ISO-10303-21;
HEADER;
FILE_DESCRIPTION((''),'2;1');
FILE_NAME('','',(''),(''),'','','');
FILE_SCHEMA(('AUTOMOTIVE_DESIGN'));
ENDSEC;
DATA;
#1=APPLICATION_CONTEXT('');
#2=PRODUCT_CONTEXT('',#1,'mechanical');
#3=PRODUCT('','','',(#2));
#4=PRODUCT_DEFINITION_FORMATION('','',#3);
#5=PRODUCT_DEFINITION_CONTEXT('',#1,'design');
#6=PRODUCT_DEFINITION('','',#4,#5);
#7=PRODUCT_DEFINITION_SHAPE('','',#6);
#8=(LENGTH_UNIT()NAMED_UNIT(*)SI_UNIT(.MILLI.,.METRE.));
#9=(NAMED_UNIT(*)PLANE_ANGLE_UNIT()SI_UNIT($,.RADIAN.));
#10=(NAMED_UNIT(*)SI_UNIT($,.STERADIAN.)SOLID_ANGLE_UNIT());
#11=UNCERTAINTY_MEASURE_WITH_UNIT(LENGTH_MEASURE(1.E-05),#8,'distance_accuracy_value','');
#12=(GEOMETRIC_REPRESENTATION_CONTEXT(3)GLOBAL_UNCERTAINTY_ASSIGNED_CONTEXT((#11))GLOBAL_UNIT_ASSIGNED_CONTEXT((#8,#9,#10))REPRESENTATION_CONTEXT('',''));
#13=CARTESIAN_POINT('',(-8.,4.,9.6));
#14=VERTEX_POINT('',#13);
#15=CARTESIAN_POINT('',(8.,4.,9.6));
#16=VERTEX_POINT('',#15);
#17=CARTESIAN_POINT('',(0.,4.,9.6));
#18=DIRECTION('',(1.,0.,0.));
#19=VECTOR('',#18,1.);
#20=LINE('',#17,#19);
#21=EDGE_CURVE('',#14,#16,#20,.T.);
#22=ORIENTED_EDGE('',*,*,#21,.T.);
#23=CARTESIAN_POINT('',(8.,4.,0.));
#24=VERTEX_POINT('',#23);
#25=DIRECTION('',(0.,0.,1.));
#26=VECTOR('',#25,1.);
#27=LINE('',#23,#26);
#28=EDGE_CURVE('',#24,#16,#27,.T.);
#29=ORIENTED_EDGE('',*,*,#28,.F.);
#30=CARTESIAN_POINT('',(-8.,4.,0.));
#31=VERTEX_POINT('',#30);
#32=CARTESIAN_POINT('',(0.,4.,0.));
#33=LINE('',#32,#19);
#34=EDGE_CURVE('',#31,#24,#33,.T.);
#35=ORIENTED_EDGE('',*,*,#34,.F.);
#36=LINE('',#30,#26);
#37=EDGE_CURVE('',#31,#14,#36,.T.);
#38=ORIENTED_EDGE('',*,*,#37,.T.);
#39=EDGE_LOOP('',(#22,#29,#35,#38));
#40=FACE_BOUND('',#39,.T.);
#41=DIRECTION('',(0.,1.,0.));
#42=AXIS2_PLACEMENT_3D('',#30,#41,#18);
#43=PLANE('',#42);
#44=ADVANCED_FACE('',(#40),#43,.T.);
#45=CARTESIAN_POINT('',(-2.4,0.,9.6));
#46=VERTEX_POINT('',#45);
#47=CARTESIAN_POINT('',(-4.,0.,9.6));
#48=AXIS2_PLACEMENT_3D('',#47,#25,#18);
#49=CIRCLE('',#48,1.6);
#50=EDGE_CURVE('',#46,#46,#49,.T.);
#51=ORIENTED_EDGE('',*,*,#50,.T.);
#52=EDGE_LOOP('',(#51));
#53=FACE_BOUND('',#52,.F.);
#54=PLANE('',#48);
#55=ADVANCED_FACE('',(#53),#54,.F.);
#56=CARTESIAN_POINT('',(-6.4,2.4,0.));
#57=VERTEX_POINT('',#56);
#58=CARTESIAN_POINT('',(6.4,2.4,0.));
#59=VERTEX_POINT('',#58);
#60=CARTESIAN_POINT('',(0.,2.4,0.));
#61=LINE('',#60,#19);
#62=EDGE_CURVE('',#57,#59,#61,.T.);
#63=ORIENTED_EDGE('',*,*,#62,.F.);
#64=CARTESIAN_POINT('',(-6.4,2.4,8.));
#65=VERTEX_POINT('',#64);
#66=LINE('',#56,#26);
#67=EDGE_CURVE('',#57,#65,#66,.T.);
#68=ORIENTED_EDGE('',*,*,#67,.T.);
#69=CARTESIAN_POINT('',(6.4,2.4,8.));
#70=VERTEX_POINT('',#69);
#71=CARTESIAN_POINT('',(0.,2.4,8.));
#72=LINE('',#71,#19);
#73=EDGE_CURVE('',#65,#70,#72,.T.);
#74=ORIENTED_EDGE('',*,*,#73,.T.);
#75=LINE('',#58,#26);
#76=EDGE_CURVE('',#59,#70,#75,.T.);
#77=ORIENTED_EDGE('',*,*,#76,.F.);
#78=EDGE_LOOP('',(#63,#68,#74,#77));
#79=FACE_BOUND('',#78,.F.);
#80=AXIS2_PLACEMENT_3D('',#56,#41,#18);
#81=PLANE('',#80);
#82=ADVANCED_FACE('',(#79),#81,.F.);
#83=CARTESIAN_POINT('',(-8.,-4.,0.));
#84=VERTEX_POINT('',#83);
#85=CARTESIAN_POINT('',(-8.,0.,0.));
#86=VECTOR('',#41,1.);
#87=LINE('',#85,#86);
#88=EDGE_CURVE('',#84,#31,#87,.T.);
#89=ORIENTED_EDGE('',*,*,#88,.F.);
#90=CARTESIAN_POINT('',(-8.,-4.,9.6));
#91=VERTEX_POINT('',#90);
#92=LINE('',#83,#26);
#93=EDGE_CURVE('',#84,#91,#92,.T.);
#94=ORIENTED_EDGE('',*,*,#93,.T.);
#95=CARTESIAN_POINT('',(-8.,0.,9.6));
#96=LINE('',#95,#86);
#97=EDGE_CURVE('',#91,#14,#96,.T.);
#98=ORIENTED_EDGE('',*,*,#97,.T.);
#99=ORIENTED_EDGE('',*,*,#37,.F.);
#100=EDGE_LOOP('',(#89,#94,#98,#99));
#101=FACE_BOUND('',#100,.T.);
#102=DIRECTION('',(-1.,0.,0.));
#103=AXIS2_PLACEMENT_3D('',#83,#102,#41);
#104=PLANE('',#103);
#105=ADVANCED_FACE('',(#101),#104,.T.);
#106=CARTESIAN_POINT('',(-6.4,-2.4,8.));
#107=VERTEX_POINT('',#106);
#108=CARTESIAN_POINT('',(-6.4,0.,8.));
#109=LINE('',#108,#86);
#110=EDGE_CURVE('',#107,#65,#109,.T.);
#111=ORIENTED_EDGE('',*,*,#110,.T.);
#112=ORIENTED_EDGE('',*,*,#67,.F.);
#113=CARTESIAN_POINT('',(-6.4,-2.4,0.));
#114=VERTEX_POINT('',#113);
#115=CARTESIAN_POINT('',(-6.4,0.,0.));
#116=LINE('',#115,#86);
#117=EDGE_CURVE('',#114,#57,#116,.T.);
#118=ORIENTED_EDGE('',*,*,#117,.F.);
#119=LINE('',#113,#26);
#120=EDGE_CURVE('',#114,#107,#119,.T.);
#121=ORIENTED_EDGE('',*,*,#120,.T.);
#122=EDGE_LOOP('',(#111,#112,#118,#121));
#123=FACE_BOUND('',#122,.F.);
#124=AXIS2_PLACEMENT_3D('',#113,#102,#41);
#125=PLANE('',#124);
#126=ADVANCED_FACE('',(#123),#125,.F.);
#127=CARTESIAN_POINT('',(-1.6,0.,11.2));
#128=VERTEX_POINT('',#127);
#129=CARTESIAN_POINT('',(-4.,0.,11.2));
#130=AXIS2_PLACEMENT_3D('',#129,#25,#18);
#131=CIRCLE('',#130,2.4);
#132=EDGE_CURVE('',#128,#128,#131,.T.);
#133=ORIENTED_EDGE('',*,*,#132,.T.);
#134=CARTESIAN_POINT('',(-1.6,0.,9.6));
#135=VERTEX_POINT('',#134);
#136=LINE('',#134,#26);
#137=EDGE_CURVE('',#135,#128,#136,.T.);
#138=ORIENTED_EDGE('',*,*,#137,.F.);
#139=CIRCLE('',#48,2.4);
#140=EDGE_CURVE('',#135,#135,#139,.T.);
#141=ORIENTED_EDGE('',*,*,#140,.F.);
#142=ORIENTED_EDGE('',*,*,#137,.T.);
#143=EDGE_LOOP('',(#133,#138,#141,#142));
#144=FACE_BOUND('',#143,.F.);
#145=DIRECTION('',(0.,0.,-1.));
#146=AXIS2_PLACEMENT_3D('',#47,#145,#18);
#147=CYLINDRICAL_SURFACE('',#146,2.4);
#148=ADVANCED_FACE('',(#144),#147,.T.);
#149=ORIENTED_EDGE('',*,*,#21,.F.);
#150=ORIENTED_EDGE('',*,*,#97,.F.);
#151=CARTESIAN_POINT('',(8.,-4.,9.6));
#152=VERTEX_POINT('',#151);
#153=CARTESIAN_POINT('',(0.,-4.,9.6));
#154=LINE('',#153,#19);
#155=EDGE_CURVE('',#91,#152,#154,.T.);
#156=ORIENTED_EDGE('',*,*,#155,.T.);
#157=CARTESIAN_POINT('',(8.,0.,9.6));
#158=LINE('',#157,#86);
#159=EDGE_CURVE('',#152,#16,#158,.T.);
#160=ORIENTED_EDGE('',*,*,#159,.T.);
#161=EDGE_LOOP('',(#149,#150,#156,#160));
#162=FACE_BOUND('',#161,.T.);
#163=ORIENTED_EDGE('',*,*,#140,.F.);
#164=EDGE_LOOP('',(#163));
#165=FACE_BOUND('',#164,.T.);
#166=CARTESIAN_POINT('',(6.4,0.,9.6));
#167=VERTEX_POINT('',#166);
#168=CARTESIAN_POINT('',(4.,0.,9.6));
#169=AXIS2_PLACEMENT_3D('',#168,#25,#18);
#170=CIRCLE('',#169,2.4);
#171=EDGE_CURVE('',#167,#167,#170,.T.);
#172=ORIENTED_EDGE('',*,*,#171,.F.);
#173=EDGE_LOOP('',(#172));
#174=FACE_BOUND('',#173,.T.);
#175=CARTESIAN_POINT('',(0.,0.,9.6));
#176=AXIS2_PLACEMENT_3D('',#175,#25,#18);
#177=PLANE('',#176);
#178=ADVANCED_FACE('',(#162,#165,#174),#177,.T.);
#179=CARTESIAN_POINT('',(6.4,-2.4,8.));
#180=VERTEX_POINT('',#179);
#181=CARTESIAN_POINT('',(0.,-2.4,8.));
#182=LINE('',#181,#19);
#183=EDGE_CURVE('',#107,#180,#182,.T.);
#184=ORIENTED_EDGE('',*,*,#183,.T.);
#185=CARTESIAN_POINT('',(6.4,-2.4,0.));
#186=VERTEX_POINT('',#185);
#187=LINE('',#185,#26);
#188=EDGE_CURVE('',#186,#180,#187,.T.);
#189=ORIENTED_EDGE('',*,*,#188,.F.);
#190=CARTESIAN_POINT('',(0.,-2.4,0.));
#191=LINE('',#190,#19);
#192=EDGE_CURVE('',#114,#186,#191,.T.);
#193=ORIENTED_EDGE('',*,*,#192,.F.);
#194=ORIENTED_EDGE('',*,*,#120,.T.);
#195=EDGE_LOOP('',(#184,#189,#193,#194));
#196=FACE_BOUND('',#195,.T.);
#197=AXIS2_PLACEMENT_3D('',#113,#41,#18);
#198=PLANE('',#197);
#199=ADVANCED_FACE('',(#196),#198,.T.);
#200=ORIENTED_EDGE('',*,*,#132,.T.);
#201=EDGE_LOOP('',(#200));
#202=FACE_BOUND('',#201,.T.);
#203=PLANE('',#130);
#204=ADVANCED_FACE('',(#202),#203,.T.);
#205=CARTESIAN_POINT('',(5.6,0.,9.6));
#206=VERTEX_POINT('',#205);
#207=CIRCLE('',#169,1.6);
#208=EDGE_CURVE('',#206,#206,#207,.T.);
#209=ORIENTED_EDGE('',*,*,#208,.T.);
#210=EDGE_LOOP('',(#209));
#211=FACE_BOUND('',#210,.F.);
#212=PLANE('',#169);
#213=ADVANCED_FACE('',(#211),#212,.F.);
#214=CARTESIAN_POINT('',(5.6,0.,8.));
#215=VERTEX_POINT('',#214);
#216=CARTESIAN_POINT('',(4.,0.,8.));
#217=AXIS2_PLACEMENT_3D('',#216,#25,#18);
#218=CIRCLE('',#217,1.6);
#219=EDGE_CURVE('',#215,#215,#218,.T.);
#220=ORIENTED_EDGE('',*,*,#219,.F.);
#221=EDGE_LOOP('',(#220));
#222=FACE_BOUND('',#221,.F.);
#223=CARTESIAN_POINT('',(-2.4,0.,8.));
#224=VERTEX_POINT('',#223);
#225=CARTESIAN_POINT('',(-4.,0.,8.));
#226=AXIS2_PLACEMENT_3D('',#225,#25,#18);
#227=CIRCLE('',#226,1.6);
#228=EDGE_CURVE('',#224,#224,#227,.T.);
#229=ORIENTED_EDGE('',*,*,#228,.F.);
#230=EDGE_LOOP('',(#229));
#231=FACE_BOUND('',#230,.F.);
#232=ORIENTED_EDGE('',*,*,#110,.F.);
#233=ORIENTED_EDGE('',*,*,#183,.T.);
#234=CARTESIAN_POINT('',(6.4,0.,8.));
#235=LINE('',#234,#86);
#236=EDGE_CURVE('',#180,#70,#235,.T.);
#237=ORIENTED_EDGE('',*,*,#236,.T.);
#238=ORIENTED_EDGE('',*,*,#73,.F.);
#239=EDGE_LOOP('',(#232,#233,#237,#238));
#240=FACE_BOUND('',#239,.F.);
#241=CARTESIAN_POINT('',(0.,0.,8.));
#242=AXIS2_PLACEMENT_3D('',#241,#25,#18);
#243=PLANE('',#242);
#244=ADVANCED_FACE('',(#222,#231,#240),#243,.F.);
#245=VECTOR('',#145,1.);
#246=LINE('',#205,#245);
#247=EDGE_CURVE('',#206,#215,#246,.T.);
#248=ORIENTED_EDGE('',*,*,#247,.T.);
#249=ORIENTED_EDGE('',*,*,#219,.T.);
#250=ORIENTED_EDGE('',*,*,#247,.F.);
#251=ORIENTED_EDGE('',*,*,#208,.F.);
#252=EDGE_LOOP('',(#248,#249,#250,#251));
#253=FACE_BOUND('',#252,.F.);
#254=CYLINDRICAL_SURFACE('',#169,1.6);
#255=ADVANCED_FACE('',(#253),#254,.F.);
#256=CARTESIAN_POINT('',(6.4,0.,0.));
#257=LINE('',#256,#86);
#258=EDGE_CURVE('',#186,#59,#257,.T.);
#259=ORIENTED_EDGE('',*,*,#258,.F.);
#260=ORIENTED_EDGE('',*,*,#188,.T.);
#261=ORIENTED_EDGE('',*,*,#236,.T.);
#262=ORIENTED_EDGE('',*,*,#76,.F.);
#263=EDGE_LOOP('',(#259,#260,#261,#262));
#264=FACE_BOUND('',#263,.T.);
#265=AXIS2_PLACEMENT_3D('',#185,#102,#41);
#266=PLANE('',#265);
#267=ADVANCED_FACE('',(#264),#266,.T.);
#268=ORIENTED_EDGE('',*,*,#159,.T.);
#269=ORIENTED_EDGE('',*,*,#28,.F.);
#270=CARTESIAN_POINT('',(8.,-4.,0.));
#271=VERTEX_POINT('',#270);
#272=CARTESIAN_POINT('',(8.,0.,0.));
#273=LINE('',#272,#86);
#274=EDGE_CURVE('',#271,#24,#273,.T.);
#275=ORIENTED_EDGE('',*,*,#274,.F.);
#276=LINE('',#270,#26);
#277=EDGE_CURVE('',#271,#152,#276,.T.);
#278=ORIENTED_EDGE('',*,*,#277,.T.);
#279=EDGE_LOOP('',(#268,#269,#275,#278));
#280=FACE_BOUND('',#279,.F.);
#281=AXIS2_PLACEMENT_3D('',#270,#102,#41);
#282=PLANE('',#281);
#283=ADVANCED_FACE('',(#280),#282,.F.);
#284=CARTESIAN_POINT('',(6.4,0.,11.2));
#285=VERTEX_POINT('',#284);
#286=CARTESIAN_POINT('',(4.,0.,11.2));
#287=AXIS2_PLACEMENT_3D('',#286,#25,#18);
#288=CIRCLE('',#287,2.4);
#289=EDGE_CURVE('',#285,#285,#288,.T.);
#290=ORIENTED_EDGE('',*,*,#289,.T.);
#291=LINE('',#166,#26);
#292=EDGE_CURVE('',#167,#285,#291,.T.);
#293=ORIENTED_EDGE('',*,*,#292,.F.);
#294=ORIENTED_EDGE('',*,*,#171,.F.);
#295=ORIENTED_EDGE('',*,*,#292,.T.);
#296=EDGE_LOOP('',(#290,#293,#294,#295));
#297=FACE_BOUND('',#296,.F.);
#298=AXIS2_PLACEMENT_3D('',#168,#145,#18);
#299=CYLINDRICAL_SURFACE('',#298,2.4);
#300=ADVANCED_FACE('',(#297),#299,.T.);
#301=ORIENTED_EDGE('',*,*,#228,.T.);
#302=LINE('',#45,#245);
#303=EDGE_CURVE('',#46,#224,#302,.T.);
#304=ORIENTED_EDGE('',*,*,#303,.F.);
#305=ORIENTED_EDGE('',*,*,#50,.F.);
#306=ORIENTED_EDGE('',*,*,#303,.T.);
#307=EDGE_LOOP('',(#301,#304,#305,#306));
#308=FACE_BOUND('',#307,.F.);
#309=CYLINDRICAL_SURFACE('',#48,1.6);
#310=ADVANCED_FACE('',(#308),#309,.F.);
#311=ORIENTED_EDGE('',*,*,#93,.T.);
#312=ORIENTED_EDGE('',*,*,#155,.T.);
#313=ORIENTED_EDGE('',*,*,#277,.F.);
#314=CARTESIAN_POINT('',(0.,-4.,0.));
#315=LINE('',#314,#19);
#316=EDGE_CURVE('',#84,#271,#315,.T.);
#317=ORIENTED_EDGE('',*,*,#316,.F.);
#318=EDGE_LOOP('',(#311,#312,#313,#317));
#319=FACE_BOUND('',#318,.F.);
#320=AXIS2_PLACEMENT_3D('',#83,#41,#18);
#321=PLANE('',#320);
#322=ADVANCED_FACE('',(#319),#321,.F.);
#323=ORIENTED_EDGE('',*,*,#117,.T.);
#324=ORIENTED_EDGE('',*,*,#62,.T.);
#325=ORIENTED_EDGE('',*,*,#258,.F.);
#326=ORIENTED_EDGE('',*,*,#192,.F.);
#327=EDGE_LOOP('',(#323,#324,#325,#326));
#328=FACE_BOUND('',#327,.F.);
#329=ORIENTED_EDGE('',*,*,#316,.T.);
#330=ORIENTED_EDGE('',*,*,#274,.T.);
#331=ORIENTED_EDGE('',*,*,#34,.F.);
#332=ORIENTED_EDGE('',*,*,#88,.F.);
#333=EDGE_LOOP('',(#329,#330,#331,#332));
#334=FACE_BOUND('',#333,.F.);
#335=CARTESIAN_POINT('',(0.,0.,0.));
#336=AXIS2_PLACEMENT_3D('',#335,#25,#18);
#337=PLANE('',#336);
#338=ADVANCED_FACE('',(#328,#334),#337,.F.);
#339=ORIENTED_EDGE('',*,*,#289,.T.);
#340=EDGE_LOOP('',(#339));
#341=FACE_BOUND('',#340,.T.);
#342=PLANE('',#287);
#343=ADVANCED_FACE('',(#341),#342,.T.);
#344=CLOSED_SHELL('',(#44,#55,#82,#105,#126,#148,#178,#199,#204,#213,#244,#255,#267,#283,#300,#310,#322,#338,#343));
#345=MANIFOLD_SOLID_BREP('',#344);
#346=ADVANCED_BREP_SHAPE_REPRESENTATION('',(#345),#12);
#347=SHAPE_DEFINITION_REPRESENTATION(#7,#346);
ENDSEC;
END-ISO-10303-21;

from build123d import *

# Parameters (mm, degrees)
F0_W     = 16
F0_H     = 8
F0_W_2   = 12.8
F0_H_2   = 4.8
F1_DEPTH = 9.6
F2_DEPTH = 8
F3_R     = 1.6
F4_DEPTH = 1.6
F5_R     = 2.4
F6_DEPTH = 1.6


with BuildPart() as f1:
    # F0 (on Top) → F1 (new body)
    with BuildSketch(Plane.XY):
        Rectangle(F0_W, F0_H)
        Rectangle(F0_W_2, F0_H_2, mode=Mode.SUBTRACT)
        Rectangle(F0_W_2, F0_H_2)
    extrude(amount=F1_DEPTH)

    # F0 (on Top) → F2 (cut)
    with BuildSketch(Plane.XY):
        Rectangle(F0_W_2, F0_H_2)
    extrude(amount=F2_DEPTH, mode=Mode.SUBTRACT)

    # F3 (on face) → F4 (cut)
    with BuildSketch(Plane.XY.offset(9.6)):
        with Locations((4, 0)):
            Circle(F3_R)
        with Locations((-4, 0)):
            Circle(F3_R)
    extrude(amount=-F4_DEPTH, mode=Mode.SUBTRACT)

    # F5 (on face) → F6 (join)
    with BuildSketch(Plane.XY.offset(9.6)):
        with Locations((-4, 0)):
            Circle(F5_R)
        with Locations((4, 0)):
            Circle(F5_R)
    extrude(amount=F6_DEPTH)


solid = f1.part
